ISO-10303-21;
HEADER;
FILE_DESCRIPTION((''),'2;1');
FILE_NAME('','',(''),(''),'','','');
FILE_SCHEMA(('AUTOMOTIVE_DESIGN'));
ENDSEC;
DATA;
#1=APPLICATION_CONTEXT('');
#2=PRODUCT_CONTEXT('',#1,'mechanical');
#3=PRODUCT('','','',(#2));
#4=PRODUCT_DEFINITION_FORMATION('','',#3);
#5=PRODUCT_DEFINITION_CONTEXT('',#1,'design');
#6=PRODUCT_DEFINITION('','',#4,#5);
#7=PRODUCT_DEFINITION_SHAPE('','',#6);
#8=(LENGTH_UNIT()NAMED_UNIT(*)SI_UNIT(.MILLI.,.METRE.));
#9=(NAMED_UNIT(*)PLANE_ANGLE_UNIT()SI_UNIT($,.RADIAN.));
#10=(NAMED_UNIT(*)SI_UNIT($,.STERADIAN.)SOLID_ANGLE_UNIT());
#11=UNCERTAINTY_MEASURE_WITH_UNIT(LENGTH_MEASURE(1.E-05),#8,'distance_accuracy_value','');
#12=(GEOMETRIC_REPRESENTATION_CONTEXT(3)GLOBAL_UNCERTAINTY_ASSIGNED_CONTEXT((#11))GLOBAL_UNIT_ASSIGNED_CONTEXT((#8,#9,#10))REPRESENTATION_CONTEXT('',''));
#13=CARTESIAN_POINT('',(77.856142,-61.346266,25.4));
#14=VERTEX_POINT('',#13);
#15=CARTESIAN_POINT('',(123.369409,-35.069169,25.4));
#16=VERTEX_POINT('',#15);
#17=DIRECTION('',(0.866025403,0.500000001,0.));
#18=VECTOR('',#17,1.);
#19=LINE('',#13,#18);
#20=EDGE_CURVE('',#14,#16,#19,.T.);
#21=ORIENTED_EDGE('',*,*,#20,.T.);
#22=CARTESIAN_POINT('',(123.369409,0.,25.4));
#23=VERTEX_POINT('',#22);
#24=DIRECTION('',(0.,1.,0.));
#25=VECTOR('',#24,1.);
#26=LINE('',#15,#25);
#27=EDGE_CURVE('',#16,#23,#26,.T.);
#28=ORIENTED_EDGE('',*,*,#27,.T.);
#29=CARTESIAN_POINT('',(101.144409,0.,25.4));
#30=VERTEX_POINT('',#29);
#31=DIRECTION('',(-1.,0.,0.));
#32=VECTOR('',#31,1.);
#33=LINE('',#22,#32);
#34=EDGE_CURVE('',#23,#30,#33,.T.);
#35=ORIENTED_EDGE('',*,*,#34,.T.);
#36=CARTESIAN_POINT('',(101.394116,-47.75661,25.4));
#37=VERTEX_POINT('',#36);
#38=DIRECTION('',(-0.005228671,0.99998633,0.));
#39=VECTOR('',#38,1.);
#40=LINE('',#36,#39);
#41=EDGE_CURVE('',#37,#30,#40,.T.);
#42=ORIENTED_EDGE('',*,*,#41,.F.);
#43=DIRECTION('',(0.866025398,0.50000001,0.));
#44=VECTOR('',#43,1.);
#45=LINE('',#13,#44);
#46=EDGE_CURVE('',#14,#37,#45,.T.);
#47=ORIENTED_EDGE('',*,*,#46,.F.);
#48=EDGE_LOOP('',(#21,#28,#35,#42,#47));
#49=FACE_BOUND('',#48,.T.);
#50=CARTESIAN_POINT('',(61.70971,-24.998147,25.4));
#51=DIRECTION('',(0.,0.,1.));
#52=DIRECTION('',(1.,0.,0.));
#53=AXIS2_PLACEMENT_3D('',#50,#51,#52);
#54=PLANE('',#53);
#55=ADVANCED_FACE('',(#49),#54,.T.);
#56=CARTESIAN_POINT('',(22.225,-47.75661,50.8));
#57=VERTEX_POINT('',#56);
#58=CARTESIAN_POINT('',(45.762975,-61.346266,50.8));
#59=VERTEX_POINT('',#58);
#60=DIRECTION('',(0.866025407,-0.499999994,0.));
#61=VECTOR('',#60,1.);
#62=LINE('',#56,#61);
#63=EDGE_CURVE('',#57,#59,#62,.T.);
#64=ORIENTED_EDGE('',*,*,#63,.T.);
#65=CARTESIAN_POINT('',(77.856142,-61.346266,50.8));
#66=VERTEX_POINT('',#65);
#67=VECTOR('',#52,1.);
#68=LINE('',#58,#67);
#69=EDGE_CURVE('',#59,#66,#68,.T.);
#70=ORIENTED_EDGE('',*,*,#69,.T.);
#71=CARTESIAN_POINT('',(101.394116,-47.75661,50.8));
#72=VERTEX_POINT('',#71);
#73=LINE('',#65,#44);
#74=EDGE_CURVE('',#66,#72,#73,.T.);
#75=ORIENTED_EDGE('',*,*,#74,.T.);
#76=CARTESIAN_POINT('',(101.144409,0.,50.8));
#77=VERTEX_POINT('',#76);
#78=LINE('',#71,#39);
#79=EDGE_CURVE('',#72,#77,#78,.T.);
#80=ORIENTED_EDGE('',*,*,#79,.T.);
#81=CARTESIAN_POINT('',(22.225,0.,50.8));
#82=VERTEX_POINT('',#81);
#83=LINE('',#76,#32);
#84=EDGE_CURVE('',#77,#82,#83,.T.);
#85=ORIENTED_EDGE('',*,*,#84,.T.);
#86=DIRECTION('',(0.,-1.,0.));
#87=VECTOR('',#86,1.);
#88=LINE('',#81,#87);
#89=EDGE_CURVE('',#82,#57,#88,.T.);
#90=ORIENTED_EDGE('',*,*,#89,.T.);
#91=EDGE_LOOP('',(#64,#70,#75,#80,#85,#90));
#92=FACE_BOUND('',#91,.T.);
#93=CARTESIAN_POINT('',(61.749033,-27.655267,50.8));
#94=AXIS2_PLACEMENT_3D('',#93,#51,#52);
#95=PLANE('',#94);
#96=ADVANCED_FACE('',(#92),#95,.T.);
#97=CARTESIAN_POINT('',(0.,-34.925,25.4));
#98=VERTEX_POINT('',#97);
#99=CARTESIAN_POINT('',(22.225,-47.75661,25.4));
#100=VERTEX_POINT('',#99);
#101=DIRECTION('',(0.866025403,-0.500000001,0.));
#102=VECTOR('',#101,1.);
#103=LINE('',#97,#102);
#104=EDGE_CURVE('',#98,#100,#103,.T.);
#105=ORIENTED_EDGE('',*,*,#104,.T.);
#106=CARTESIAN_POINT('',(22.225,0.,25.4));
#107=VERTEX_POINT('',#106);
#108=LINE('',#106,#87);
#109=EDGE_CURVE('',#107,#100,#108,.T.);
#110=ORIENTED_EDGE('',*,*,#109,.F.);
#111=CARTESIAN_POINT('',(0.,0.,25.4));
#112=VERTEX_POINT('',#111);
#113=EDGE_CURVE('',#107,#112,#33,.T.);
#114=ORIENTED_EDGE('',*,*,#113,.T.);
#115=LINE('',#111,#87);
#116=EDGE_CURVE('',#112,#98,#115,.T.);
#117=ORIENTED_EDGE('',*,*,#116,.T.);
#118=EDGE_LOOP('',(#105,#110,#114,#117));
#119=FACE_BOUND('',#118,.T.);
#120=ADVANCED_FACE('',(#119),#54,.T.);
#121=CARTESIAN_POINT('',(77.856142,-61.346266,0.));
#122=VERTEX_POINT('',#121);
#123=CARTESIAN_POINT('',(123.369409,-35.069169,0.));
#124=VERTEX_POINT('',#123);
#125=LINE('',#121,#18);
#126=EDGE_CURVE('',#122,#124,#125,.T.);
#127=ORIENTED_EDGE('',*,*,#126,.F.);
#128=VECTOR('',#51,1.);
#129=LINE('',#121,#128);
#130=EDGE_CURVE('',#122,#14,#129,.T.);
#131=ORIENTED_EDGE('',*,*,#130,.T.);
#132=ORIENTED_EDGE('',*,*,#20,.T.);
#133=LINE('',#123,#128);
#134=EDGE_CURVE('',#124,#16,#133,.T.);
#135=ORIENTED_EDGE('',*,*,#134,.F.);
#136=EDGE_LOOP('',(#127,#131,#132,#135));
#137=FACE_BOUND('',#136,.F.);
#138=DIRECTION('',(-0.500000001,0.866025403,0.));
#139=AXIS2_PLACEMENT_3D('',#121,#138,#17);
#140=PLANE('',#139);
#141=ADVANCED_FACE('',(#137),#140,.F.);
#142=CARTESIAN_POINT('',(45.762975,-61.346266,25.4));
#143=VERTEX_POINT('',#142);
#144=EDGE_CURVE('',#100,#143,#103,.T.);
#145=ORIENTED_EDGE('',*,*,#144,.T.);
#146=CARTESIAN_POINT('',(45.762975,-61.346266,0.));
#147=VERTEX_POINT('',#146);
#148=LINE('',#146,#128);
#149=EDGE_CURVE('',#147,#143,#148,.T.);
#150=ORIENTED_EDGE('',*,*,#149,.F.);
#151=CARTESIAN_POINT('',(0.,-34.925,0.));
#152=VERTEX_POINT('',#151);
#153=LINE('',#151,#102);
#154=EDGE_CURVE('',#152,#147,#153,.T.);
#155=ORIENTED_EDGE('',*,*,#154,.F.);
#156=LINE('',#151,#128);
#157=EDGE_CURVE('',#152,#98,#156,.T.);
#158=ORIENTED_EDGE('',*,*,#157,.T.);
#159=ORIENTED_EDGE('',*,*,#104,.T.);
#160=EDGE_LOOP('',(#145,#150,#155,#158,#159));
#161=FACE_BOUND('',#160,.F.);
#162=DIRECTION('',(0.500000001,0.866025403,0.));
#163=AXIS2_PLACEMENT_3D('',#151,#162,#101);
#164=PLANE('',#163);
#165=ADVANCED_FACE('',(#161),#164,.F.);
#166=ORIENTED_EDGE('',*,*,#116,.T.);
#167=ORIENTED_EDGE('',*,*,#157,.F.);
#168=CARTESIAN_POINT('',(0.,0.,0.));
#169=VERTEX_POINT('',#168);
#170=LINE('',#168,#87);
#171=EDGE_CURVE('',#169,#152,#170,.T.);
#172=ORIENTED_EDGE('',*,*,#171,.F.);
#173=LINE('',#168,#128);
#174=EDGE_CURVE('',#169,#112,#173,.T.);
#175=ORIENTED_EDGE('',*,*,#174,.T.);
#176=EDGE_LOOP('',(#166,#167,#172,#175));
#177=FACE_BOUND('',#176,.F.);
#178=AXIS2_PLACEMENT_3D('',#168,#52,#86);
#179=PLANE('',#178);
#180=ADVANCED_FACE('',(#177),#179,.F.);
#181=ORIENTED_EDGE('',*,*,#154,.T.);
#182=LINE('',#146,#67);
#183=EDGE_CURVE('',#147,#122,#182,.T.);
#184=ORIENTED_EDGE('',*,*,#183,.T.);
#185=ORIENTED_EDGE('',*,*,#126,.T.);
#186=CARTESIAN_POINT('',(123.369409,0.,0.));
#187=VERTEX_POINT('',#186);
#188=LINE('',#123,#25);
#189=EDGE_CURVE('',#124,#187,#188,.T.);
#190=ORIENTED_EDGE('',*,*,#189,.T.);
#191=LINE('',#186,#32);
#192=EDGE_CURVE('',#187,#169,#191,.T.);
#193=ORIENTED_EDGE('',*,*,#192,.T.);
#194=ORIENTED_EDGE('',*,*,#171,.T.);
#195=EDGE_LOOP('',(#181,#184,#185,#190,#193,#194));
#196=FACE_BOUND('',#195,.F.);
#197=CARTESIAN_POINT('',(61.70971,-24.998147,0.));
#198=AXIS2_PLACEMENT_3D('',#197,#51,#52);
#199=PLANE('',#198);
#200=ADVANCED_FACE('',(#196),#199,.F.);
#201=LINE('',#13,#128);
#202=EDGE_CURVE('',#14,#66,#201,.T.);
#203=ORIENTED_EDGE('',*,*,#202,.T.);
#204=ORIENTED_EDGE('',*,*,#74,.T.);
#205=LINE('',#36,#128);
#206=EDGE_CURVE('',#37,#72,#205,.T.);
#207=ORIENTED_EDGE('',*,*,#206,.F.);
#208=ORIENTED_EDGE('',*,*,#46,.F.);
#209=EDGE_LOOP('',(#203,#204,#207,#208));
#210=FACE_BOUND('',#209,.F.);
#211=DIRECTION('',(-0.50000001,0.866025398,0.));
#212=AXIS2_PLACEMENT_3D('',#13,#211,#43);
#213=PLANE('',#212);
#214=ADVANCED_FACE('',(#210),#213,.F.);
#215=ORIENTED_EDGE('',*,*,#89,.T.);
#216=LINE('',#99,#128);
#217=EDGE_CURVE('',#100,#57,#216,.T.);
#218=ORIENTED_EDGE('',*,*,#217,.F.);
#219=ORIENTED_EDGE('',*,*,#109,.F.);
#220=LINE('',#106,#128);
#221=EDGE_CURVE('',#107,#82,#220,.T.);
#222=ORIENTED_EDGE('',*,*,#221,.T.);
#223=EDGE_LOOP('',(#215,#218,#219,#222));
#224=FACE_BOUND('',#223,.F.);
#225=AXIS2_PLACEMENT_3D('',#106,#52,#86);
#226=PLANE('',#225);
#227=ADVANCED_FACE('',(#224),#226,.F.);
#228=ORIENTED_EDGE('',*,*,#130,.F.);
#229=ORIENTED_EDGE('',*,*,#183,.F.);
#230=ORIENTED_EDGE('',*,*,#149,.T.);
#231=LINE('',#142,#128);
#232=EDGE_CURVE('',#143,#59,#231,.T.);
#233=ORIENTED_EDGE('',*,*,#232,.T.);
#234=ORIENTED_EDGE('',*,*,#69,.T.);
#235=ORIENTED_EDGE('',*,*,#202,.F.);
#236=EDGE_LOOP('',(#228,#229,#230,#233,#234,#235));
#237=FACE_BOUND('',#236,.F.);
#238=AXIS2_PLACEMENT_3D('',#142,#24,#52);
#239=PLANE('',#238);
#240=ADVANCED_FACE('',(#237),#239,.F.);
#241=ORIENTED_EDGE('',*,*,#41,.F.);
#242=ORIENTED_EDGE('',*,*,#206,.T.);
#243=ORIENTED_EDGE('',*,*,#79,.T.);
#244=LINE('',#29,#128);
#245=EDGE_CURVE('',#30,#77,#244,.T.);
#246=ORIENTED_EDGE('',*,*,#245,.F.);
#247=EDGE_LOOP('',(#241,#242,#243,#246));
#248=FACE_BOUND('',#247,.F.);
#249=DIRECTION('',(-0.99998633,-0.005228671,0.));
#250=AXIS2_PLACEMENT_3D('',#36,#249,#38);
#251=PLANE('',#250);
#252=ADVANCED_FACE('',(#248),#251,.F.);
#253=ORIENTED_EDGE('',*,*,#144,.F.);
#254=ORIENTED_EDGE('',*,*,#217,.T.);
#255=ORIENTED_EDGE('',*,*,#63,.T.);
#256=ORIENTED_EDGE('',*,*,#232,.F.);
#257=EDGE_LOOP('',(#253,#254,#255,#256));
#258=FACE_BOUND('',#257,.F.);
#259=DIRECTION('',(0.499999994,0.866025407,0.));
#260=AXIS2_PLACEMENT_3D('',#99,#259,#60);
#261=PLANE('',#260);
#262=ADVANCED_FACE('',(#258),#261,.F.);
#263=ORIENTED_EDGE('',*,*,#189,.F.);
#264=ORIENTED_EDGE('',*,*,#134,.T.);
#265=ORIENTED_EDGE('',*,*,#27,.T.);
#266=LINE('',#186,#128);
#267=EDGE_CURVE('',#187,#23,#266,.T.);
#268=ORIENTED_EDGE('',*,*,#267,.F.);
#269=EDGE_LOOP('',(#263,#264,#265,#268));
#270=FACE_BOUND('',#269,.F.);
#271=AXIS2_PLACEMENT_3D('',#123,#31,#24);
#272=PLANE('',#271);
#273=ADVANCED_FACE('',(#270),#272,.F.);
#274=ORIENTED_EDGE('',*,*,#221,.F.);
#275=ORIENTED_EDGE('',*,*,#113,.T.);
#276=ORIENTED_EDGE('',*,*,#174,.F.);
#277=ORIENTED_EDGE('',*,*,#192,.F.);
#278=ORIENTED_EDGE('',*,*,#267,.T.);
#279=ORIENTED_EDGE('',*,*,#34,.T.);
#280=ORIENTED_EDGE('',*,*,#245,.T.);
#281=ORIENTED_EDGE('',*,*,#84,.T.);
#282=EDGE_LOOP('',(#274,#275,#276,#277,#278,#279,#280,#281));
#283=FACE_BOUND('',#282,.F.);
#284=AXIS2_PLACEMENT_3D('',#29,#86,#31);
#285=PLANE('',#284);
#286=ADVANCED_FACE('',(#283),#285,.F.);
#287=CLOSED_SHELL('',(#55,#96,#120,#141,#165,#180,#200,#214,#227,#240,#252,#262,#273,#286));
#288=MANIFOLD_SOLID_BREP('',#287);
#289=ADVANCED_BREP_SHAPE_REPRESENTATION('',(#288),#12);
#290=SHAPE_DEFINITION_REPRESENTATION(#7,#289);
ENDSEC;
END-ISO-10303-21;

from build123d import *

# Parameters (mm, degrees)
F1_DEPTH = 25.4
F3_DEPTH = 25.4


with BuildPart() as f1:
    # F0 (on Top) → F1 (new body)
    with BuildSketch(Plane.XY):
        Polygon((22.881487, 0), (0, 0), (0, -34.925), (45.762975, -61.346266), (77.856142, -61.346266), (123.369409, -35.069169), (123.369409, 0), (100.435721, 0), (76.2, 0), (45.762975, 0), align=None)
    extrude(amount=F1_DEPTH)

    # F2 (on face) → F3 (join)
    with BuildSketch(Plane.XY.offset(25.4)):
        Polygon((101.144409, 0), (22.225, 0), (22.225, -47.75661), (45.762975, -61.346266), (77.856142, -61.346266), (101.394116, -47.75661), align=None)
    extrude(amount=F3_DEPTH)


solid = f1.part
